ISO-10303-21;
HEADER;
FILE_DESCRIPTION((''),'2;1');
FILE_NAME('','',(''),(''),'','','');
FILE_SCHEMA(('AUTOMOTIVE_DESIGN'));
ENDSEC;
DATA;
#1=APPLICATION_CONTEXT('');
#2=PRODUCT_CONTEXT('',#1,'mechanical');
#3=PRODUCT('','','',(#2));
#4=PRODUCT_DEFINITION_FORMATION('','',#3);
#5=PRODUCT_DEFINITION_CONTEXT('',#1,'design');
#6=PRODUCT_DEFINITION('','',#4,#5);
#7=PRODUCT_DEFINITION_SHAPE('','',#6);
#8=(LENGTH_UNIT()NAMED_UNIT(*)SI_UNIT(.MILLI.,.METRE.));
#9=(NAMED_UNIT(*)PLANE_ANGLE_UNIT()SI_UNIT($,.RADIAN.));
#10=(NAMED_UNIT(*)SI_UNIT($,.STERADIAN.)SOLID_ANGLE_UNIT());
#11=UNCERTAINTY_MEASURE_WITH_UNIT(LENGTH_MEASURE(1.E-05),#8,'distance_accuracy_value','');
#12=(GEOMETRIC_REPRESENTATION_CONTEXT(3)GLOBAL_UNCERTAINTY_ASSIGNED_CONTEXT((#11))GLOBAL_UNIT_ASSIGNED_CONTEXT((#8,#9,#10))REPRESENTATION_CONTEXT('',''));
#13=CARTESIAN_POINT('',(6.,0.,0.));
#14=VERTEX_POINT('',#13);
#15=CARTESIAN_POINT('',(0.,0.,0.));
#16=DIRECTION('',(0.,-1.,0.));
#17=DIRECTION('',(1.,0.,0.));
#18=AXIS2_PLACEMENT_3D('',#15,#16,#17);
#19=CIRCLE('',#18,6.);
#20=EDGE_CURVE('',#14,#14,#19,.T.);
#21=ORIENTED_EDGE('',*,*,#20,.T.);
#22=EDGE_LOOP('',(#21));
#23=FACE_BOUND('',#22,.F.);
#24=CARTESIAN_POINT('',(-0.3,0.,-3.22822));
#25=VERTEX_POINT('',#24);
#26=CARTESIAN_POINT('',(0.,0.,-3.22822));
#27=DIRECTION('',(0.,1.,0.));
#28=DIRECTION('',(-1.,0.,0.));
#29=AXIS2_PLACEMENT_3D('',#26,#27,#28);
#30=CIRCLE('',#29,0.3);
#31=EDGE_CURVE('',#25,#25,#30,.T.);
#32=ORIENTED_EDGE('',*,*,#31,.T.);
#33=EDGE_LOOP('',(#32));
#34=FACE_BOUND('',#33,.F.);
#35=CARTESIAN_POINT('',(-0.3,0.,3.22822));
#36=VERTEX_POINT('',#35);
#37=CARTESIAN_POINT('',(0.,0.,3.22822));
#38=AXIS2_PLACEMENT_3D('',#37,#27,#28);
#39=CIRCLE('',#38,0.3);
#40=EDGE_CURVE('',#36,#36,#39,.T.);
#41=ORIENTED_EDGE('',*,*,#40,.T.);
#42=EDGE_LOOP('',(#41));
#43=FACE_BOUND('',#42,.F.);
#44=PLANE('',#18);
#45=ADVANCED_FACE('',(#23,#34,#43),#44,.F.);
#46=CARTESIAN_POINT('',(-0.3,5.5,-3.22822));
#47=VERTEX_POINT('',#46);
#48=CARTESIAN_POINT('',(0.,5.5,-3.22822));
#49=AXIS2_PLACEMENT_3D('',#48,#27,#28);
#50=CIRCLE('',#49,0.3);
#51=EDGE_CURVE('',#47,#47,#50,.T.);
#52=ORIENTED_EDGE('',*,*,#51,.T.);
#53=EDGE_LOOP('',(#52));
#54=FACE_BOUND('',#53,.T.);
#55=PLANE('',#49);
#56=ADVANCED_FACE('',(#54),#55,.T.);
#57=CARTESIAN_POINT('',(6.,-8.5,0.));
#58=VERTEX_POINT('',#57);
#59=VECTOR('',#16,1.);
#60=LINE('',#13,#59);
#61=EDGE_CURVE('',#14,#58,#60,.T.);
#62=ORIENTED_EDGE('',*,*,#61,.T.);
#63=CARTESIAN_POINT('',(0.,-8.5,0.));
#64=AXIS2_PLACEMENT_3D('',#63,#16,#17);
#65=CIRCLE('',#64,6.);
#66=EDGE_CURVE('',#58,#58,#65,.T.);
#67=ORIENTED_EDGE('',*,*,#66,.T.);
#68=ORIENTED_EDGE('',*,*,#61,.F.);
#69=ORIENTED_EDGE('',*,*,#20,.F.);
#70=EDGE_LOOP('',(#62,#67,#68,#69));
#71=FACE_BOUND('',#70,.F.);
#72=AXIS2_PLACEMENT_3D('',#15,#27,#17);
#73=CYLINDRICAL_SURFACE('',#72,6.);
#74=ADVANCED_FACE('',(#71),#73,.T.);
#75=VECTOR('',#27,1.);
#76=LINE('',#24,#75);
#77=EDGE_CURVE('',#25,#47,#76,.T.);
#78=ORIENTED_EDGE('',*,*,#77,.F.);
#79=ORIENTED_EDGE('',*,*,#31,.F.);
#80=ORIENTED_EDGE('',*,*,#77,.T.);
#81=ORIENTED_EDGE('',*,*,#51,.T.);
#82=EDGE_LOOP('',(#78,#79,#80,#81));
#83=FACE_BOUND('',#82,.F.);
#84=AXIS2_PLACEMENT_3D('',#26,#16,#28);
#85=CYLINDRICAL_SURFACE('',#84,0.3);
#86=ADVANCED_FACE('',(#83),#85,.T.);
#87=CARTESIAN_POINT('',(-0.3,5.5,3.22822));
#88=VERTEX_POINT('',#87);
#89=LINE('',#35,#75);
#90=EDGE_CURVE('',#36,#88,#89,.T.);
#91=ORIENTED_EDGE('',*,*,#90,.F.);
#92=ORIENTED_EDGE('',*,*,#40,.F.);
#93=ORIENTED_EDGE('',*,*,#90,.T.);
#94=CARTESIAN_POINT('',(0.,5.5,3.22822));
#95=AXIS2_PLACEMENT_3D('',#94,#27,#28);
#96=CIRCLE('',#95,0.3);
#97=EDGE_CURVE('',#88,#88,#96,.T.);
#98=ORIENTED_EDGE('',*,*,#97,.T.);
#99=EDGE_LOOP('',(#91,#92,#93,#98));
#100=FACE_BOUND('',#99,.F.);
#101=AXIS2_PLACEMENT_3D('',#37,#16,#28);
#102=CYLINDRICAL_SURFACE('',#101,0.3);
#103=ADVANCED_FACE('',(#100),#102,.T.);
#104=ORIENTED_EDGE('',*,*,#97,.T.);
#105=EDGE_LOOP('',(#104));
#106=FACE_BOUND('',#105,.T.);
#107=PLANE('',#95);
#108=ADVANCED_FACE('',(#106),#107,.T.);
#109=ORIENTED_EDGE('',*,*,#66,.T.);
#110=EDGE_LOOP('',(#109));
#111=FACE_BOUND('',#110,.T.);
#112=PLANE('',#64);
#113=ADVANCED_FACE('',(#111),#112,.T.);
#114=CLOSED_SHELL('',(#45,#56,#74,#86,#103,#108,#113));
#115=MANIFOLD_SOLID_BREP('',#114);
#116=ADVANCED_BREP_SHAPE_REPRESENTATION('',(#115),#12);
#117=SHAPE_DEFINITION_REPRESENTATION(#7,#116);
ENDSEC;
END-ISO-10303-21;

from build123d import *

# Parameters (mm, degrees)
F0_R     = 6
F1_DEPTH = 8.5
F2_R     = 0.3
F3_DEPTH = 5.5


with BuildPart() as f1:
    # F0 (on Front) → F1 (new body)
    with BuildSketch(Plane.XZ):
        Circle(F0_R)
    extrude(amount=F1_DEPTH)

    # F2 (on face) → F3 (join)
    with BuildSketch(Plane(origin=(0, 0, 0), x_dir=(-1, 0, 0), z_dir=(0, 1, 0))):
        with Locations((0, 3.22822)):
            Circle(F2_R)
        with Locations((0, -3.22822)):
            Circle(F2_R)
    extrude(amount=F3_DEPTH)


solid = f1.part
